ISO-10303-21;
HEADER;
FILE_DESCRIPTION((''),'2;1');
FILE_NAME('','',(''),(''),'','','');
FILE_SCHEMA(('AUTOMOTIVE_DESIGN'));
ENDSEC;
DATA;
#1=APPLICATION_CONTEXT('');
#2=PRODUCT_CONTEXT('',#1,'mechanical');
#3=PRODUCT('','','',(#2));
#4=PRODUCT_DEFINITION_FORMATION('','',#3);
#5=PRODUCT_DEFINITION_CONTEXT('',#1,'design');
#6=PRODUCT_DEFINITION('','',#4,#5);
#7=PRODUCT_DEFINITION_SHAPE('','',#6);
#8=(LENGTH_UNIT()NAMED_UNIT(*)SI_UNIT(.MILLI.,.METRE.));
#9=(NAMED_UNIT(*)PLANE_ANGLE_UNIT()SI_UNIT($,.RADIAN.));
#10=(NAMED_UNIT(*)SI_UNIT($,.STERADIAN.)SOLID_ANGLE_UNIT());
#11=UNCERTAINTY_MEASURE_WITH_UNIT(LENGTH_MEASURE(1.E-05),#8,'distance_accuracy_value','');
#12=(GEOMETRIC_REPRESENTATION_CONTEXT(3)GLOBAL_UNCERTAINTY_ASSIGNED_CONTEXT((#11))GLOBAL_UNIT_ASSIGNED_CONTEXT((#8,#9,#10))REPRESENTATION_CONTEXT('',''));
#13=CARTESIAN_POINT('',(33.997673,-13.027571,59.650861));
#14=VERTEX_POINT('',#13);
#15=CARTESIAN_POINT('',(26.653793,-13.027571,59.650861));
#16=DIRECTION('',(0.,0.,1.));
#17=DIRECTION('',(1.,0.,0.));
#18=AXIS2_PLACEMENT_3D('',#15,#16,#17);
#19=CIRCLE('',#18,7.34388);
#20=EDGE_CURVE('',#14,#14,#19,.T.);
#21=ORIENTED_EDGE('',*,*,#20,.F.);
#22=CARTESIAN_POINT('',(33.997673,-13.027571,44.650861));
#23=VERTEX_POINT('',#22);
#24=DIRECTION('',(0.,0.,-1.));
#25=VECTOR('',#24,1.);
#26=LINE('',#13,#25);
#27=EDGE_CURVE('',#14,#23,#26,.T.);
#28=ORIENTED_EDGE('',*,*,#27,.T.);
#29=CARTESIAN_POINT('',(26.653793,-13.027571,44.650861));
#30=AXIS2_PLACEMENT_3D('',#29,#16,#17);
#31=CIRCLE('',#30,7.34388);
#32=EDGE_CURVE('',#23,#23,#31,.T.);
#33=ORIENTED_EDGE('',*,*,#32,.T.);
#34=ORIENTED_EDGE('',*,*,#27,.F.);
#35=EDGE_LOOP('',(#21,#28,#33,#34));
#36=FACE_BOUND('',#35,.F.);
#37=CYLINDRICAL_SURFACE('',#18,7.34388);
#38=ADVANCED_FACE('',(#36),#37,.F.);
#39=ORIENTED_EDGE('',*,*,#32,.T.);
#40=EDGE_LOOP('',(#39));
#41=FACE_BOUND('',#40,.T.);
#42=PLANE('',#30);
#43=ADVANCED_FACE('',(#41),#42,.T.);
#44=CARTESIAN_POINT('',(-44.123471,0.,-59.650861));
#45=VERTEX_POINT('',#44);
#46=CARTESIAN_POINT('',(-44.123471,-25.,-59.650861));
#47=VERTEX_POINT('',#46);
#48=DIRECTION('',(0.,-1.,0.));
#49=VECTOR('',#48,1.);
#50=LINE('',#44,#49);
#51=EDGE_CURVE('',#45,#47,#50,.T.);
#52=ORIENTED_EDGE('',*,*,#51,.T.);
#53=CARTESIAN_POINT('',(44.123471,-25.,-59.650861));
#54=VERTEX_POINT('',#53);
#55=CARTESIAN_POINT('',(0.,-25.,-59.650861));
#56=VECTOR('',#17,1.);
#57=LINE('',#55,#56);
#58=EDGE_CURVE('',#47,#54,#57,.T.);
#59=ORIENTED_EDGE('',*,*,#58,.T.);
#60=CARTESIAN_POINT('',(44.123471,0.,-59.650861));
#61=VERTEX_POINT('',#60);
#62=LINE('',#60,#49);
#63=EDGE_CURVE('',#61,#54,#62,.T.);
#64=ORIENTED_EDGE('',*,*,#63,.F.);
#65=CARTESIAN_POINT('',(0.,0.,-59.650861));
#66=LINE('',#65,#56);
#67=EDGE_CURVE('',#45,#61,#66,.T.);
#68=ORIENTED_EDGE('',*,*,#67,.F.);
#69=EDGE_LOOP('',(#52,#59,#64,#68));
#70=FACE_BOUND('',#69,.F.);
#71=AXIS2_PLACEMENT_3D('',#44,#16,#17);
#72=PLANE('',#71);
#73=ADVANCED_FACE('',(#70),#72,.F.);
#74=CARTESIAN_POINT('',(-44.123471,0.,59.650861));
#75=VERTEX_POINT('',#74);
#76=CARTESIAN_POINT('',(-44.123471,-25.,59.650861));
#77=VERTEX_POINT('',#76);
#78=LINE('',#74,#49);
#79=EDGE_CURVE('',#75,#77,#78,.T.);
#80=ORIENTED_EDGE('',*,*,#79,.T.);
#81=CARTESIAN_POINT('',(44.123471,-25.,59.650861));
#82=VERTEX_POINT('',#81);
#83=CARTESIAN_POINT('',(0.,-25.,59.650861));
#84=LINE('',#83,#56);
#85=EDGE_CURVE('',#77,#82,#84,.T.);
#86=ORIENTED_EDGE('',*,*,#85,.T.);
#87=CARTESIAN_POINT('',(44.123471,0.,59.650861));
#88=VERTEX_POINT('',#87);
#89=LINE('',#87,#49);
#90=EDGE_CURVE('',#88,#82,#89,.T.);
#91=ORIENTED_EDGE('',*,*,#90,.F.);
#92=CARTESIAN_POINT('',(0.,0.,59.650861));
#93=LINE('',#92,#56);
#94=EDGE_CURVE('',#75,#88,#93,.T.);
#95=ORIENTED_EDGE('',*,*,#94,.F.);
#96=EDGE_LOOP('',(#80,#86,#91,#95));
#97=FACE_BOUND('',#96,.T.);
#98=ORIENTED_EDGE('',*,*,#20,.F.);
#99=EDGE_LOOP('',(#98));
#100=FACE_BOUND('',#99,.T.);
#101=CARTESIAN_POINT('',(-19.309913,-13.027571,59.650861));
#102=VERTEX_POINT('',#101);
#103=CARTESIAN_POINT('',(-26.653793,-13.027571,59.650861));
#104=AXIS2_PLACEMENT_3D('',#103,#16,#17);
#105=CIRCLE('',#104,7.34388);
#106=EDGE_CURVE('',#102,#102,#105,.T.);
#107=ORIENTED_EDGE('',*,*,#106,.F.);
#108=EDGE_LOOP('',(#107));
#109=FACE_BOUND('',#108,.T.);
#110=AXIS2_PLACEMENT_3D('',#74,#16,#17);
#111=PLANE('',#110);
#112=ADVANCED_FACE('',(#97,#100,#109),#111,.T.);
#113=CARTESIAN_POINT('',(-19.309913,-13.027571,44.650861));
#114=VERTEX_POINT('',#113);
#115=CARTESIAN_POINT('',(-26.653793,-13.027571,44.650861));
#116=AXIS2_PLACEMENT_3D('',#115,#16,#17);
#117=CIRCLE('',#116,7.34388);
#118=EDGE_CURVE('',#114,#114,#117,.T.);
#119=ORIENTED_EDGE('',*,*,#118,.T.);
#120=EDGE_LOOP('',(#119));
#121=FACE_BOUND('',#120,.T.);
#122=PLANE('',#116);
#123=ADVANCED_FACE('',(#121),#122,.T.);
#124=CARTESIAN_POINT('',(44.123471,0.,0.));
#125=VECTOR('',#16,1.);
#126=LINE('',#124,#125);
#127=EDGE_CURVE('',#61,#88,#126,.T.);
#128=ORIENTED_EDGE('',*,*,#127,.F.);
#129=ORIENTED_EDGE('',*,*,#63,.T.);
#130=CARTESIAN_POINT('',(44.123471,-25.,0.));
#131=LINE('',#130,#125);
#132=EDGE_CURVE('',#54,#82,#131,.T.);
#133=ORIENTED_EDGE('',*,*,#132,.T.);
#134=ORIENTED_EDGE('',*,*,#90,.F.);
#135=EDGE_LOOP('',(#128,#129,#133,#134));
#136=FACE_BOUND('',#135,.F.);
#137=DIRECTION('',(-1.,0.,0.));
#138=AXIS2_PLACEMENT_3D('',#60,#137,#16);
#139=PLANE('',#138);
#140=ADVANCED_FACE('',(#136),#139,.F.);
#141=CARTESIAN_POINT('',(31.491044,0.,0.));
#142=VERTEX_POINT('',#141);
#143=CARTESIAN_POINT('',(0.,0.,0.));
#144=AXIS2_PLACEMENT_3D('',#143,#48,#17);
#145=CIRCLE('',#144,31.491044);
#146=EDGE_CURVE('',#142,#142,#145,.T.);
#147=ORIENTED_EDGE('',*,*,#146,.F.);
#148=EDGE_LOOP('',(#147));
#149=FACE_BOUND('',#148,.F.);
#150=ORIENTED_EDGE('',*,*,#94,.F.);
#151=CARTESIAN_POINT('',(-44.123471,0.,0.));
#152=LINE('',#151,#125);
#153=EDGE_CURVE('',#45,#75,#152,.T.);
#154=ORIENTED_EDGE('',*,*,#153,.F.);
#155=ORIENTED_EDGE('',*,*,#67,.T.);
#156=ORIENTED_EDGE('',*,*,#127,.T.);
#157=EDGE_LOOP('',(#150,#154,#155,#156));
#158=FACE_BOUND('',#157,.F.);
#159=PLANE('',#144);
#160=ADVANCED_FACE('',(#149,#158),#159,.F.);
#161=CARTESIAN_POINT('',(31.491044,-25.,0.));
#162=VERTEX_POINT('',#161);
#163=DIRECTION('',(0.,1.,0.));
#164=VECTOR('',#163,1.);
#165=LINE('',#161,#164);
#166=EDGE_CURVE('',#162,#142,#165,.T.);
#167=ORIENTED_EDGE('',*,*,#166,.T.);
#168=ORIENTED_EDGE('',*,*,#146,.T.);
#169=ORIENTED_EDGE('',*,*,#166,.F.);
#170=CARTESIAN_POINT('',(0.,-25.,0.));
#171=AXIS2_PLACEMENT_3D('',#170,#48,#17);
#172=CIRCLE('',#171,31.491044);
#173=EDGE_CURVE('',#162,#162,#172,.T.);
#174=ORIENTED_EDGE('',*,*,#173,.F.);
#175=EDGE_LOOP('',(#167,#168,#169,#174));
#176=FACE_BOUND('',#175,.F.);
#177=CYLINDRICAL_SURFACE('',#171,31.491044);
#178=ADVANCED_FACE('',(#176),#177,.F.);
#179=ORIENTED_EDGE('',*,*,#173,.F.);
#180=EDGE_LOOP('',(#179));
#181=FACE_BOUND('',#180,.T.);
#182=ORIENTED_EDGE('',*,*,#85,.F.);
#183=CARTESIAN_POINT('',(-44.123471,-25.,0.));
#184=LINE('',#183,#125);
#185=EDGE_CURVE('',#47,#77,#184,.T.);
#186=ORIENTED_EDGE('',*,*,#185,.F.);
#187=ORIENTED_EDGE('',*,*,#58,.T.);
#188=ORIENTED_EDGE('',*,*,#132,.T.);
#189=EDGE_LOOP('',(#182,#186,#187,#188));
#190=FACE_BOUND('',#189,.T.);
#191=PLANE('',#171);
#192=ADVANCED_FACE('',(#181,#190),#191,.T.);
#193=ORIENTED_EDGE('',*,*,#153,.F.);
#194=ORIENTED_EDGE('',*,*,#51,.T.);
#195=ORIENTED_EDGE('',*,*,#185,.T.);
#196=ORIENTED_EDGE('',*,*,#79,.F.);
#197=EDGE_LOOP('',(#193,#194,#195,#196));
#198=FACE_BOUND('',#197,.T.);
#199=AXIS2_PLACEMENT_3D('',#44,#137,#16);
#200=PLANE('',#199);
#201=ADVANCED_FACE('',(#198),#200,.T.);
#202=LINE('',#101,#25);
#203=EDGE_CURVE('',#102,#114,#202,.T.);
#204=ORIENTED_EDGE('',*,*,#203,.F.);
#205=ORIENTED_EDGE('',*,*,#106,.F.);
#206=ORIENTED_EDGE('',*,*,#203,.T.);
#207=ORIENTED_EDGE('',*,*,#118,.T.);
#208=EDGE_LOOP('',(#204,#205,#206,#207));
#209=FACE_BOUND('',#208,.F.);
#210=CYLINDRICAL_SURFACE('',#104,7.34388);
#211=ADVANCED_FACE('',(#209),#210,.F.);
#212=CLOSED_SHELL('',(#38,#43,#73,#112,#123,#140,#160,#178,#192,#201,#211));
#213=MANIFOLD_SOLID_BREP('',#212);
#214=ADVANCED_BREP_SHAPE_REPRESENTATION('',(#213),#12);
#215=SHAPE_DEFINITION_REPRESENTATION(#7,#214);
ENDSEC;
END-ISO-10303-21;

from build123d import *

# Parameters (mm, degrees)
F0_W     = 88.246942
F0_H     = 119.301722
F1_DEPTH = 25
F3_R     = 7.34388
F4_DEPTH = 15
F2_R     = 31.491044
F5_DEPTH = 25


with BuildPart() as f1:
    # F0 (on Front) → F1 (new body)
    with BuildSketch(Plane.XZ):
        Rectangle(F0_W, F0_H)
    extrude(amount=F1_DEPTH)

    # F3 (on face) → F4 (cut)
    with BuildSketch(Plane.XY.offset(59.650861)):
        with Locations((-26.653793, -13.027571)):
            Circle(F3_R)
        with Locations((26.653793, -13.027571)):
            Circle(F3_R)
    extrude(amount=-F4_DEPTH, mode=Mode.SUBTRACT)

    # F2 (on face) → F5 (cut, through all)
    with BuildSketch(Plane.XZ.offset(25)):
        Circle(F2_R)
    extrude(amount=-F5_DEPTH, mode=Mode.SUBTRACT)


solid = f1.part
